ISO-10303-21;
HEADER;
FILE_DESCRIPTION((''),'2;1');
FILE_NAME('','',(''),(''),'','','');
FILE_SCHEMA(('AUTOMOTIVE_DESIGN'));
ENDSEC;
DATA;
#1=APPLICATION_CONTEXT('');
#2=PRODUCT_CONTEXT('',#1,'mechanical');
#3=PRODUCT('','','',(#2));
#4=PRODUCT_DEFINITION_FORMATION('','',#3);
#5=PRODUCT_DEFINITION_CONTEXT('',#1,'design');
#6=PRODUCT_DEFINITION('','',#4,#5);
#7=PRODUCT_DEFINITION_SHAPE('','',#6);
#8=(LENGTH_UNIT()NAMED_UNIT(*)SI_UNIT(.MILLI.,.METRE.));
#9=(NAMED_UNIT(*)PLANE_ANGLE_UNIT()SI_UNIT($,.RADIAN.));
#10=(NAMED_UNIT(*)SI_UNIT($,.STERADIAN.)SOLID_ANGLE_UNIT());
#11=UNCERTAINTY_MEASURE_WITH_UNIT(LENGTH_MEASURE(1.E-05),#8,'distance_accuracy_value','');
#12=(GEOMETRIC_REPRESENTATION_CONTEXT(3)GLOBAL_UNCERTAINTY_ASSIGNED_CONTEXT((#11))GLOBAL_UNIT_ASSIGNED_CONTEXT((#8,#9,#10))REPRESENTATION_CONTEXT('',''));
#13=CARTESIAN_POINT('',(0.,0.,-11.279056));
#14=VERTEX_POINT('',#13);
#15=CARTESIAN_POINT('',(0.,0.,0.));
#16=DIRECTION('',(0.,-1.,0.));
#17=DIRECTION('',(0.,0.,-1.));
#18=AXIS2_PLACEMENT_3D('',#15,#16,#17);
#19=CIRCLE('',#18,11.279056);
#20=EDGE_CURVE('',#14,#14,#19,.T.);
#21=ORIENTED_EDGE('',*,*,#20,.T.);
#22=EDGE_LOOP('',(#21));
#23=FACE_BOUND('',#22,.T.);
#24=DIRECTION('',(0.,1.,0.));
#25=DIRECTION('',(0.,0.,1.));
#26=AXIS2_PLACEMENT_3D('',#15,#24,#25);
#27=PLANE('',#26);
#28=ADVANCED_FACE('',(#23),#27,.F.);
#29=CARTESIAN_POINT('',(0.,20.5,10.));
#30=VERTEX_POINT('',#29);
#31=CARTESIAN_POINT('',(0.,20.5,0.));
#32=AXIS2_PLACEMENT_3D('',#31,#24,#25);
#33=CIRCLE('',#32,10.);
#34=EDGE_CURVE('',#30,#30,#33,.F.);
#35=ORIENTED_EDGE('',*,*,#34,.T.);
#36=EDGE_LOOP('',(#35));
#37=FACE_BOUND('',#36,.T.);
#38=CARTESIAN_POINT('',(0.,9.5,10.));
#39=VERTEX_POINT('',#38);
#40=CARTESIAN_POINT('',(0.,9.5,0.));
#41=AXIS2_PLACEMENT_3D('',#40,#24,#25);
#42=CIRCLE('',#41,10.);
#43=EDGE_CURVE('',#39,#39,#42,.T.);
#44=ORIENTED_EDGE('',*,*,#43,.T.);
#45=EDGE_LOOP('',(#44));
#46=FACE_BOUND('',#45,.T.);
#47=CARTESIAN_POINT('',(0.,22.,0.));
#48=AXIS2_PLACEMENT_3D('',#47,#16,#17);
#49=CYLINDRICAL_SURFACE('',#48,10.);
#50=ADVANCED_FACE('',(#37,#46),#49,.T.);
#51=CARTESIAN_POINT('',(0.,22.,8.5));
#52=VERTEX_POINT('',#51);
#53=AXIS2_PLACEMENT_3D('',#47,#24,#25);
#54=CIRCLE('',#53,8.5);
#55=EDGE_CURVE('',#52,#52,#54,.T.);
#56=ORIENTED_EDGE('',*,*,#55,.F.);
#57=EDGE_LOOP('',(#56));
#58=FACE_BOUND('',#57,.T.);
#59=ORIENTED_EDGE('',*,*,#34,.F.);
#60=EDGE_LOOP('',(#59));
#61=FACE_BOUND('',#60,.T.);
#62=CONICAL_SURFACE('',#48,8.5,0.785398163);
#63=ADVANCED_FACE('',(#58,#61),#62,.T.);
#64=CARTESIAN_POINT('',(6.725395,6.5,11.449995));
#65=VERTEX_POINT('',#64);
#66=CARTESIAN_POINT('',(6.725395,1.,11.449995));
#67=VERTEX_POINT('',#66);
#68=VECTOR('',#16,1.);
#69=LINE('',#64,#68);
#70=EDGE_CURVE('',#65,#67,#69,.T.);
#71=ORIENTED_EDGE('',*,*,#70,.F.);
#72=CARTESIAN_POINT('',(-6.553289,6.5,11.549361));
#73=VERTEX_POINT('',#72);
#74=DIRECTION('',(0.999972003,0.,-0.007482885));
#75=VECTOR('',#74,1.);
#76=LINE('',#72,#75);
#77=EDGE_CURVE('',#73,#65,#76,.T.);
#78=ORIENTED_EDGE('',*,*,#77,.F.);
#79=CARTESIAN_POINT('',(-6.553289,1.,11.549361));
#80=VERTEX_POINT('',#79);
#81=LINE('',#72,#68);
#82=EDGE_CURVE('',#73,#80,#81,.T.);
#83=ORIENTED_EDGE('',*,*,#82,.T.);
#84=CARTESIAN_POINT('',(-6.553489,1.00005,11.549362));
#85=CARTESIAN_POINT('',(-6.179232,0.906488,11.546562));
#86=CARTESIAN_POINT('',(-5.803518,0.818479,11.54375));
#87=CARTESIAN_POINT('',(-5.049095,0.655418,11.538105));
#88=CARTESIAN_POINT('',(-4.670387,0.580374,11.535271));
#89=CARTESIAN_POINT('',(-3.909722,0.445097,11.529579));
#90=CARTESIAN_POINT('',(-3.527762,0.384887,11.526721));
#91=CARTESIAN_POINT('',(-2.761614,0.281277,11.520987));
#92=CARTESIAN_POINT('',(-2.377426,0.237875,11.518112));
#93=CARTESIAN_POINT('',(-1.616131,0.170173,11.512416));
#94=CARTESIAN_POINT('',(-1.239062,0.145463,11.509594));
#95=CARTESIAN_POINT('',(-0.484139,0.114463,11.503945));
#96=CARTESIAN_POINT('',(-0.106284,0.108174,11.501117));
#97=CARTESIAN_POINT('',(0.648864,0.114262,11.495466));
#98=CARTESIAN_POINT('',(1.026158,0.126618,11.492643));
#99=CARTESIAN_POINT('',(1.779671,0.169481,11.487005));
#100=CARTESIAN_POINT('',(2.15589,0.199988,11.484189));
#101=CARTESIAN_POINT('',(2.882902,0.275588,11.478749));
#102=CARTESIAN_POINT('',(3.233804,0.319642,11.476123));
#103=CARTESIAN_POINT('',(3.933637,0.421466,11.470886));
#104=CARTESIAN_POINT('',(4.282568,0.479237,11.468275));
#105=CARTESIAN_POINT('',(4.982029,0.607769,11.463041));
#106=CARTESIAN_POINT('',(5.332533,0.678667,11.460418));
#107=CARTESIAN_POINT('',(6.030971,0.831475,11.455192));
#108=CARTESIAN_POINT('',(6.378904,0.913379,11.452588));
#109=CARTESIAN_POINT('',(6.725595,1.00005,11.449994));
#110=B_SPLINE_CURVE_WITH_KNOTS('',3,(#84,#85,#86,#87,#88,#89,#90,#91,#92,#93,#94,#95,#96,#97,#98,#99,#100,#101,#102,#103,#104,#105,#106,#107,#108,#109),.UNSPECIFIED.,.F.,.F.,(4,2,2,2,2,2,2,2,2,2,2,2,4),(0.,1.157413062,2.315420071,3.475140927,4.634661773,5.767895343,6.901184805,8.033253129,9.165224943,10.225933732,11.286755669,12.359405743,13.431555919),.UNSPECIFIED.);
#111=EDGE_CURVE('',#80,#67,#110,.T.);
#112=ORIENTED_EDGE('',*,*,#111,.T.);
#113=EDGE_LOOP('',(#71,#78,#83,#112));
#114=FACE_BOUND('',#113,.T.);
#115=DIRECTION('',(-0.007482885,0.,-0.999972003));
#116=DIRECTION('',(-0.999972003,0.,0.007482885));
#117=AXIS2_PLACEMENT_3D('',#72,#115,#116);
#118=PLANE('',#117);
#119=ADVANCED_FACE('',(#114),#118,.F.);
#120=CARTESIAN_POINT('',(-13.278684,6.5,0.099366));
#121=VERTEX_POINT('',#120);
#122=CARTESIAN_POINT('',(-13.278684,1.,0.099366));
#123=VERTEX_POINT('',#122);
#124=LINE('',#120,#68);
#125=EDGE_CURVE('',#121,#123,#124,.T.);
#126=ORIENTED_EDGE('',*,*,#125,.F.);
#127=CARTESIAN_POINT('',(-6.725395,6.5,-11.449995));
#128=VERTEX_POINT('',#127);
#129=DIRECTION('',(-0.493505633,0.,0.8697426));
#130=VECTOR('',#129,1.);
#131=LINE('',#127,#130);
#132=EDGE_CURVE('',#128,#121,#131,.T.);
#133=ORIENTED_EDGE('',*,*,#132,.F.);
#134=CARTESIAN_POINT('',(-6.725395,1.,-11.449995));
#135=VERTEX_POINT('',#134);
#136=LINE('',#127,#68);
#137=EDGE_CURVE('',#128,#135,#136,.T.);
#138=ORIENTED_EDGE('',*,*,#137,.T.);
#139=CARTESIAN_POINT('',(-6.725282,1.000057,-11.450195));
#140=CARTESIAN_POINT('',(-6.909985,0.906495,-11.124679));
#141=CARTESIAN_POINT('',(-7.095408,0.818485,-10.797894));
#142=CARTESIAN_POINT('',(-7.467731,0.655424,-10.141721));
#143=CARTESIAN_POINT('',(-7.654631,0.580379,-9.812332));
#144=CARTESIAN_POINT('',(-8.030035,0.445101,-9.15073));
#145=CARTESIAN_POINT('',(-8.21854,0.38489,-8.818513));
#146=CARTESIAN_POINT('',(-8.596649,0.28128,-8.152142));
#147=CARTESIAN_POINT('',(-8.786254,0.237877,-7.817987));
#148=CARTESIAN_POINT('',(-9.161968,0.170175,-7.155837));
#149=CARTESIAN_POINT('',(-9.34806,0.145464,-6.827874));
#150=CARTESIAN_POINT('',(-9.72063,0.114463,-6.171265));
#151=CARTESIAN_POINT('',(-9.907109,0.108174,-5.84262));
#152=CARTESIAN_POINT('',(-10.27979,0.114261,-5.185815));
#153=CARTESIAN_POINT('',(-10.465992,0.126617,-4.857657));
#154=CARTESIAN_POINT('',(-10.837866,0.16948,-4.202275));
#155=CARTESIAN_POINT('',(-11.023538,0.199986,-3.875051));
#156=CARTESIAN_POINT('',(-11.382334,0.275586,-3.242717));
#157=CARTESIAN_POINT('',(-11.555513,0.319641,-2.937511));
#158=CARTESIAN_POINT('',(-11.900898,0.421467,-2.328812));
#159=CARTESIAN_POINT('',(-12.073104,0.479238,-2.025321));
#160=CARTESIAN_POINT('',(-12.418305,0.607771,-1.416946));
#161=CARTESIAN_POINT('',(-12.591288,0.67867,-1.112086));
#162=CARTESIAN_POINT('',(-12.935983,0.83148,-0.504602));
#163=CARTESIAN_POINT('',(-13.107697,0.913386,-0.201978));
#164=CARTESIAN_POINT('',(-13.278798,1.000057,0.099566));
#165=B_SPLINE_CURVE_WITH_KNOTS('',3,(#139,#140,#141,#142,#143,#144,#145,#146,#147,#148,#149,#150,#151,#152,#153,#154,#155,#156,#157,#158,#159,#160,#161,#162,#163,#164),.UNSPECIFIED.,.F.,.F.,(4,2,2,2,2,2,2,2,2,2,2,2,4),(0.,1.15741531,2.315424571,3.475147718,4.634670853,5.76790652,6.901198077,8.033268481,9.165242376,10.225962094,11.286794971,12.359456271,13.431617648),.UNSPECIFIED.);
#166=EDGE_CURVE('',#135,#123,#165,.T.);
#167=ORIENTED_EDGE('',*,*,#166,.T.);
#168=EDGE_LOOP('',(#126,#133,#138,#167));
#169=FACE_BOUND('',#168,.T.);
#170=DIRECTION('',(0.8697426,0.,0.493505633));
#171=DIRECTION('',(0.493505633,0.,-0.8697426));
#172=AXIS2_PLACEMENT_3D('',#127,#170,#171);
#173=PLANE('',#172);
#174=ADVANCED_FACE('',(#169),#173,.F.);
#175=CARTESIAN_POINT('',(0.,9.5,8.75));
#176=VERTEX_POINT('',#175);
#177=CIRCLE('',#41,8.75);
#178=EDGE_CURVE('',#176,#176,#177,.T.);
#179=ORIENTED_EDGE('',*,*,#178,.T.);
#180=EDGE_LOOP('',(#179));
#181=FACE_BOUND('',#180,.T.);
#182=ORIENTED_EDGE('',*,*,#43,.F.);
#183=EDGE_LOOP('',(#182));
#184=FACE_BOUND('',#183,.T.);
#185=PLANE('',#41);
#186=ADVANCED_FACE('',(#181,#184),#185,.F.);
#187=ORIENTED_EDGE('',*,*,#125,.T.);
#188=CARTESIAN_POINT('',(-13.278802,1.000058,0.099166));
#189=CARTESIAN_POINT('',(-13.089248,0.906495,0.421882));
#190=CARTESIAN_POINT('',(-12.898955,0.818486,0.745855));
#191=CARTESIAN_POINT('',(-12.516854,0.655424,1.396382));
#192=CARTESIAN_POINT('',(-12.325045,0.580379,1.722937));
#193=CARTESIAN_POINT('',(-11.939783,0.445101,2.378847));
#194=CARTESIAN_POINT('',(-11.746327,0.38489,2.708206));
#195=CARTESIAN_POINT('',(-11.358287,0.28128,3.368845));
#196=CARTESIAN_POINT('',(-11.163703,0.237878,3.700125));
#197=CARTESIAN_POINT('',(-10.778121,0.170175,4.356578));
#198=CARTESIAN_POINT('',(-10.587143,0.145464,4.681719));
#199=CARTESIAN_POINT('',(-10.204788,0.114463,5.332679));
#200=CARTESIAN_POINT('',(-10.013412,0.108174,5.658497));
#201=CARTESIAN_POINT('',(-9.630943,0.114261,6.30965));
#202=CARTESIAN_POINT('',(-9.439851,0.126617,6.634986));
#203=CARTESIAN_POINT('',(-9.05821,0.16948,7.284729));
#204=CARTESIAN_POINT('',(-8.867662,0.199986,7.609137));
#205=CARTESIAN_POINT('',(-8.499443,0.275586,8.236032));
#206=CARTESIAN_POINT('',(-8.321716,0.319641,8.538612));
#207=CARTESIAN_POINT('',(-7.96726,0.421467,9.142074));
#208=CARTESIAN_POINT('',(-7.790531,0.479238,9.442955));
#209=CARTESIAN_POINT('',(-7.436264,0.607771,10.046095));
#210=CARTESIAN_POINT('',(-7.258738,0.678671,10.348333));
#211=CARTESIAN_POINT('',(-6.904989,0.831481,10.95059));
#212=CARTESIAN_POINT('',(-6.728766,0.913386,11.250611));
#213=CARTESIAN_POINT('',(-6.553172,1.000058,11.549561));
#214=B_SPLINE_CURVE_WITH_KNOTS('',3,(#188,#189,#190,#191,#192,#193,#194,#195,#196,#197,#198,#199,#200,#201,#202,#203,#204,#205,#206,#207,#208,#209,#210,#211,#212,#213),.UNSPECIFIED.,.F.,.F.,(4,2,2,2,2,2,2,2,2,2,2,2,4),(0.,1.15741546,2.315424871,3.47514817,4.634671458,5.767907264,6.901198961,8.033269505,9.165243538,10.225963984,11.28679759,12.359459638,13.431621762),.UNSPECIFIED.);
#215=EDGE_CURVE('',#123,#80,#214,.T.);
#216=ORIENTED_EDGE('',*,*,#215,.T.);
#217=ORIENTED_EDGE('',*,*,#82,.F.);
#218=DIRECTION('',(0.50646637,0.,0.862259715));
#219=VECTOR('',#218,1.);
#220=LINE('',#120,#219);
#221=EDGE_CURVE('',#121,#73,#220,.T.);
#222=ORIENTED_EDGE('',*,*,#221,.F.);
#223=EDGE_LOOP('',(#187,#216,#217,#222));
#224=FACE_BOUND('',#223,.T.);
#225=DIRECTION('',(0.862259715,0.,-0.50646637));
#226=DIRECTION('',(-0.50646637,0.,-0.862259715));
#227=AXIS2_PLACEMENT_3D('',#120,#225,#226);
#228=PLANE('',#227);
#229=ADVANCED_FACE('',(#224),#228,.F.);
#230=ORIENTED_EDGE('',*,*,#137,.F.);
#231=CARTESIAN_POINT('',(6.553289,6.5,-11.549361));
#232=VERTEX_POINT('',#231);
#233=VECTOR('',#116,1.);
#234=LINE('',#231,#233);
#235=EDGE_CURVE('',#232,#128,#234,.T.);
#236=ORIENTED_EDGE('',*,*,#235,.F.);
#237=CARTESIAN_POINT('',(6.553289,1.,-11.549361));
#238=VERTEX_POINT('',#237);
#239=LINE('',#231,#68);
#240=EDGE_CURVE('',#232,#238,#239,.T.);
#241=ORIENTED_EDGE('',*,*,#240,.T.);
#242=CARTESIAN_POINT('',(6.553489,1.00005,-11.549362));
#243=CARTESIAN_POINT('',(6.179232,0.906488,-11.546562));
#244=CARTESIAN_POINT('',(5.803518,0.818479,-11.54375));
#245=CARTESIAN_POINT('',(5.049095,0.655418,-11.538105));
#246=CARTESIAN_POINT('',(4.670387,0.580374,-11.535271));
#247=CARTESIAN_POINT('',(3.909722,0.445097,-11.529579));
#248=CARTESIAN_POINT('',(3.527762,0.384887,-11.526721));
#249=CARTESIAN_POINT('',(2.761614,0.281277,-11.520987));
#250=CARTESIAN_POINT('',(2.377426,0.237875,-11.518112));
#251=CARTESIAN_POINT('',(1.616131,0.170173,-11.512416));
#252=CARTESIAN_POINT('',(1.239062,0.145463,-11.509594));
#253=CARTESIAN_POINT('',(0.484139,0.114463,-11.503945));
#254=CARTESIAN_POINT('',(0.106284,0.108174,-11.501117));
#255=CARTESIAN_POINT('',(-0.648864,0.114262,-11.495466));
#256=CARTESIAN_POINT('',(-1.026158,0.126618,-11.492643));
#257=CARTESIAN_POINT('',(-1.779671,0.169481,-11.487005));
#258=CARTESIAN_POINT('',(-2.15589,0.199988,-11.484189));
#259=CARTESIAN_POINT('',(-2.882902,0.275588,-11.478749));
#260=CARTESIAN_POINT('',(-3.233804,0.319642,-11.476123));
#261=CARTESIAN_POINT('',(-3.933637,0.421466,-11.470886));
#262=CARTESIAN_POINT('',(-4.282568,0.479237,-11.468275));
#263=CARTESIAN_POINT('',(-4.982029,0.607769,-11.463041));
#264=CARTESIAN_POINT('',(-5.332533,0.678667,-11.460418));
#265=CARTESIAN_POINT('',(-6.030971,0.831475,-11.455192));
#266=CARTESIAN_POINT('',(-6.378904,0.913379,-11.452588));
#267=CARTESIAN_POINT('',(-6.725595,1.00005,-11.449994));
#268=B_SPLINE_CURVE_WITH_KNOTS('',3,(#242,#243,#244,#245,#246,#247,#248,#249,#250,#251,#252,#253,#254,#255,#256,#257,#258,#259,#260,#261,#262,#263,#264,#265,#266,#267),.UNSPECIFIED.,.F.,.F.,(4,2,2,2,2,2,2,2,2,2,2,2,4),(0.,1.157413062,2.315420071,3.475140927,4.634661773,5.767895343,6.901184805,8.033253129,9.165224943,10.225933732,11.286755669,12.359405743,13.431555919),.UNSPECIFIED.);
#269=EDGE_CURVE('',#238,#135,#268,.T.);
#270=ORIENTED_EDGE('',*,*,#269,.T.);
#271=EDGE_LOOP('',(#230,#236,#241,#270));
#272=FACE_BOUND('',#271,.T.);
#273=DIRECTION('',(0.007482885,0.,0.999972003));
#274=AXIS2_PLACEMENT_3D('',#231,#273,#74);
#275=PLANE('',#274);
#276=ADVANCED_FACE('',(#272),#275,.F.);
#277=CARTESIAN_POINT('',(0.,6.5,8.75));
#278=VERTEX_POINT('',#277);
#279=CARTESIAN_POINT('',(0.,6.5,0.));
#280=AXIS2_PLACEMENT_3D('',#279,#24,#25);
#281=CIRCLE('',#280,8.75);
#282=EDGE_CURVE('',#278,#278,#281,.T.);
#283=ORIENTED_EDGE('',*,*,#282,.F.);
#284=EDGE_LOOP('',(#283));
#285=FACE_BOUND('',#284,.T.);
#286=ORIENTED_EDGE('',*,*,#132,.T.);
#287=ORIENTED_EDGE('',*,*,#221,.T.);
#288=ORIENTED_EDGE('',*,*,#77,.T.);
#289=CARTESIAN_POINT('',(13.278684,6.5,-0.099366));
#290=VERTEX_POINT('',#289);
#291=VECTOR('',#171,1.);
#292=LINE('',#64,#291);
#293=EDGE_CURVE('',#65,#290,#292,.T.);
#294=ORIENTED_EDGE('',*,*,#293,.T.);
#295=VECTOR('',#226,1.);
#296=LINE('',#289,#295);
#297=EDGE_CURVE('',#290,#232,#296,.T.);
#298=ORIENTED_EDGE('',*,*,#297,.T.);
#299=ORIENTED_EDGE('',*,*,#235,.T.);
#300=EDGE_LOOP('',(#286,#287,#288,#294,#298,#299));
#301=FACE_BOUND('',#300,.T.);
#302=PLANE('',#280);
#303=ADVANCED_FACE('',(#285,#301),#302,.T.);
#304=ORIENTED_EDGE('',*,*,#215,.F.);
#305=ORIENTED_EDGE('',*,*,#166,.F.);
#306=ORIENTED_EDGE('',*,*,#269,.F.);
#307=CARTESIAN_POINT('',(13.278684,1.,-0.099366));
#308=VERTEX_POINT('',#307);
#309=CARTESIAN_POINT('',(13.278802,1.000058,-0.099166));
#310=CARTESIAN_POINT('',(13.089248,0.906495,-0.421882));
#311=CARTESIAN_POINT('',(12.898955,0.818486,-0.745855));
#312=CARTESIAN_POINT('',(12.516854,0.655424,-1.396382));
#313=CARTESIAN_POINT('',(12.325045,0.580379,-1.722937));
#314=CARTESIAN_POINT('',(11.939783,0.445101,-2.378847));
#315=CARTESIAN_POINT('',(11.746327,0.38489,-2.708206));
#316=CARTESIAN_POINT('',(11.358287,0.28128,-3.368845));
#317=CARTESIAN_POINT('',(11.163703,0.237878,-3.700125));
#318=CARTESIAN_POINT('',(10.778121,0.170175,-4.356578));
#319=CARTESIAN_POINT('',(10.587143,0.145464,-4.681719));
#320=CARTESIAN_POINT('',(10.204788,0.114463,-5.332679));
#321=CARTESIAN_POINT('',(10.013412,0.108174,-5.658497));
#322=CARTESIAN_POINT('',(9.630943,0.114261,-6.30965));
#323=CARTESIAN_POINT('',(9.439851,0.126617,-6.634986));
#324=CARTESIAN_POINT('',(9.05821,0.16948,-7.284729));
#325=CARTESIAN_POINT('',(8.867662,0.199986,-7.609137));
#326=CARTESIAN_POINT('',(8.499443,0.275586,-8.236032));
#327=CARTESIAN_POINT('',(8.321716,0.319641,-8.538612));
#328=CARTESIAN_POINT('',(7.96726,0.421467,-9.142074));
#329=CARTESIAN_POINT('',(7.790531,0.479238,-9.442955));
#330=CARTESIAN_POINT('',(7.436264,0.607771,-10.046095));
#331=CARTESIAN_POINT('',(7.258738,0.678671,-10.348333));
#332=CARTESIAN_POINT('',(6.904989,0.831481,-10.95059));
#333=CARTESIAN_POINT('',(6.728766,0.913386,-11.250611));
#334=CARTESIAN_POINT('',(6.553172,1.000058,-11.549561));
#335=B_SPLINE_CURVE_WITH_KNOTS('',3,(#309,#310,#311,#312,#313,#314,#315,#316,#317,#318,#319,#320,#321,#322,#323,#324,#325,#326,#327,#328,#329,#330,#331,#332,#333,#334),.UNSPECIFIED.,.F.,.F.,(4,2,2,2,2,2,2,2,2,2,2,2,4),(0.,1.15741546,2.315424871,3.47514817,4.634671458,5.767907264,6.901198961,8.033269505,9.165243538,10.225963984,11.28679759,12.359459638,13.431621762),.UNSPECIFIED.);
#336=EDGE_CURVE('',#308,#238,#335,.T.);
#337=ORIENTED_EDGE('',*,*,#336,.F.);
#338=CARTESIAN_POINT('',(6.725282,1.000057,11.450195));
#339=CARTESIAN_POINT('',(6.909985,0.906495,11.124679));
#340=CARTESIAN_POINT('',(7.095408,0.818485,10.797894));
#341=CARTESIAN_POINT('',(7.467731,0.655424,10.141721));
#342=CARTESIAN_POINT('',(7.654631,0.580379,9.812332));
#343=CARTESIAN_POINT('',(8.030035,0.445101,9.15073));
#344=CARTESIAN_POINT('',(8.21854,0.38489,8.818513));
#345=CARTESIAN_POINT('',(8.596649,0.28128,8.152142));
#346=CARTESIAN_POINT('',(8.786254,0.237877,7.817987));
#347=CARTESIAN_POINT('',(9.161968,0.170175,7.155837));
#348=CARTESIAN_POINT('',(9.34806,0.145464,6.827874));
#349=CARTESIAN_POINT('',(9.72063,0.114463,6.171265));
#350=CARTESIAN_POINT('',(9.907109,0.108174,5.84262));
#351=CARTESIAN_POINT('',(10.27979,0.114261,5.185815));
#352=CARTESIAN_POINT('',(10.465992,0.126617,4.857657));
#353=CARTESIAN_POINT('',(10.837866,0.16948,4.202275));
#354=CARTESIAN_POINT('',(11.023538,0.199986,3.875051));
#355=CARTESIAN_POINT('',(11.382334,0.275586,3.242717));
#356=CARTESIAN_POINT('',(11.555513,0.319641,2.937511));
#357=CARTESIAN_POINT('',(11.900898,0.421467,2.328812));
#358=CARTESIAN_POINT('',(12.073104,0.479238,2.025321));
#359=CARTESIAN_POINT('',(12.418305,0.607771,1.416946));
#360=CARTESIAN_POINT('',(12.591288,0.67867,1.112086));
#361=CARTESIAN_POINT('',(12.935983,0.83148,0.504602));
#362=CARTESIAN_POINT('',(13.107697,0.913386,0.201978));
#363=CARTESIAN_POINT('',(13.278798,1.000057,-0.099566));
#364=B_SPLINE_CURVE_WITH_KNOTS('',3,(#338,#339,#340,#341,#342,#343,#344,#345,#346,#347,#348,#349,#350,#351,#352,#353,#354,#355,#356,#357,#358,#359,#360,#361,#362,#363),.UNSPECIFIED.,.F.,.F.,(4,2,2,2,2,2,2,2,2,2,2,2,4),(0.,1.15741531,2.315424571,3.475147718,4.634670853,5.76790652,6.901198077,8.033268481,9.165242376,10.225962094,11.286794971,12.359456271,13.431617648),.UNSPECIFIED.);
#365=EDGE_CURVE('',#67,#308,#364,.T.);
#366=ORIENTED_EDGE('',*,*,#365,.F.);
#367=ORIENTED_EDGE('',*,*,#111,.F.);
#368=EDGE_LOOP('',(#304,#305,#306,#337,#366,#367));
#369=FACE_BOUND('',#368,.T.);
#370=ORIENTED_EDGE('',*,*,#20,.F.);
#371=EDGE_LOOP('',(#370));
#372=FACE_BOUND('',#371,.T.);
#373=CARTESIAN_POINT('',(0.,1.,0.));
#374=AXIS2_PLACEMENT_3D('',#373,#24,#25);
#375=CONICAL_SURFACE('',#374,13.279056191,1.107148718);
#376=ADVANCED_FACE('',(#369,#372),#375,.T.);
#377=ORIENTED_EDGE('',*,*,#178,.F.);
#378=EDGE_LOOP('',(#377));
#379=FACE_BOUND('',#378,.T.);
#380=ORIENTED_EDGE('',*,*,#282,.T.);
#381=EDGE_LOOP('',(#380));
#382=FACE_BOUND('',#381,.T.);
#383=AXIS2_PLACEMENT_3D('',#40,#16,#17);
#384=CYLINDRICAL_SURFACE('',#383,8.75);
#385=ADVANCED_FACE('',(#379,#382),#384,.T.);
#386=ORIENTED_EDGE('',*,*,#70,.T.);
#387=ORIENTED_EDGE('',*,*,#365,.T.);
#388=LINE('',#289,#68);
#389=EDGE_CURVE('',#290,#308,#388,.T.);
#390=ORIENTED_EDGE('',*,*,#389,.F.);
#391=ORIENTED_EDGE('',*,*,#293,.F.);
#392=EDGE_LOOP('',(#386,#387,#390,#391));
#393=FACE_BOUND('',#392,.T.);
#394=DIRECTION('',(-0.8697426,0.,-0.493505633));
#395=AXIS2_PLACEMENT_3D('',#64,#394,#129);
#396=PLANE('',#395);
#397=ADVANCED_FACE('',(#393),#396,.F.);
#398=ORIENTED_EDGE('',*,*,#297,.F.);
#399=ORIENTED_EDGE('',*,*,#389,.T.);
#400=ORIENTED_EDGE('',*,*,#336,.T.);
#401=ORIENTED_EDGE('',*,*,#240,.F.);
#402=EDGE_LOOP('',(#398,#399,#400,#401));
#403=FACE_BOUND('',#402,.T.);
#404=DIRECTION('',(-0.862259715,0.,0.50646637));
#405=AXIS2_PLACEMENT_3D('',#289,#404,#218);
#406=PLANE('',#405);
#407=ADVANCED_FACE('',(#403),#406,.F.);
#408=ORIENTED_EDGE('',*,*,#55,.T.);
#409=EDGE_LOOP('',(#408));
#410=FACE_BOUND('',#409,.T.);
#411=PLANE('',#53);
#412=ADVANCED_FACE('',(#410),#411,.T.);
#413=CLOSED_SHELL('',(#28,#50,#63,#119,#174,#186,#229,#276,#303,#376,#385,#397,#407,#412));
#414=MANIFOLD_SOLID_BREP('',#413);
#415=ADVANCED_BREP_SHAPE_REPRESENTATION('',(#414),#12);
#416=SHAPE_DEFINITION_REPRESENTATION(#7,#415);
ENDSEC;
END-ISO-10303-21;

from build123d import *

# Parameters (mm, degrees)
EXTRUDE_1_DEPTH = 6.5
SKETCH_2_R      = 8.75
EXTRUDE_2_DEPTH = 3
SKETCH_3_R      = 10
EXTRUDE_3_DEPTH = 12.5
CHAMFER_1_SIZE  = 1.5


with BuildPart() as part:
    # 草图1 → 凸台-拉伸1 (new body)
    with BuildSketch(Plane(origin=(0, 0, 0), x_dir=(1, 0, 0), z_dir=(0, 1, 0))):
        Polygon((6.553289027, 11.549360859), (-6.725395388, 11.449995205), (-13.278684415, -0.099365654), (-6.553289027, -11.549360859), (6.725395388, -11.449995205), (13.278684415, 0.099365654), align=None)
    extrude(amount=EXTRUDE_1_DEPTH)

    # 草图2 → 凸台-拉伸2 (add)
    with BuildSketch(Plane(origin=(0, 6.5, 0), x_dir=(1, 0, 0), z_dir=(0, 1, 0))):
        with Locations(Location((0, 0, 0), (0, 0, 270))):
            Circle(SKETCH_2_R)
    extrude(amount=EXTRUDE_2_DEPTH)

    # 草图3 → 凸台-拉伸3 (add)
    with BuildSketch(Plane(origin=(0, 9.5, 0), x_dir=(1, 0, 0), z_dir=(0, 1, 0))):
        with Locations(Location((0, 0, 0), (0, 0, 270))):
            Circle(SKETCH_3_R)
    extrude(amount=EXTRUDE_3_DEPTH)

    # 倒角1
    chamfer_1_edges = [part.edges().sort_by_distance(p)[0] for p in [
        (0, 22, -10),
    ]]
    chamfer(chamfer_1_edges, length=CHAMFER_1_SIZE)

    # 草图5 → 切除-旋转3 (revolve, cut)
    with BuildSketch(Plane(origin=(0, 0, 0), x_dir=(0.49350563267132574, 0, -0.8697426001534446), z_dir=(0.8697426001534445, 0, 0.4935056326713257)), mode=Mode.PRIVATE) as cut_revolve_3_sk:
        Polygon((13.279056191, 1), (11.279056191, 0), (13.279056191, 0), align=None)
    revolve(cut_revolve_3_sk.sketch.rotate(Axis((0, -1000, 0), (0, 1, 0)), 180.000000003), axis=Axis((0, -1000, 0), (0, 1, 0)), mode=Mode.SUBTRACT)


solid = part.part
